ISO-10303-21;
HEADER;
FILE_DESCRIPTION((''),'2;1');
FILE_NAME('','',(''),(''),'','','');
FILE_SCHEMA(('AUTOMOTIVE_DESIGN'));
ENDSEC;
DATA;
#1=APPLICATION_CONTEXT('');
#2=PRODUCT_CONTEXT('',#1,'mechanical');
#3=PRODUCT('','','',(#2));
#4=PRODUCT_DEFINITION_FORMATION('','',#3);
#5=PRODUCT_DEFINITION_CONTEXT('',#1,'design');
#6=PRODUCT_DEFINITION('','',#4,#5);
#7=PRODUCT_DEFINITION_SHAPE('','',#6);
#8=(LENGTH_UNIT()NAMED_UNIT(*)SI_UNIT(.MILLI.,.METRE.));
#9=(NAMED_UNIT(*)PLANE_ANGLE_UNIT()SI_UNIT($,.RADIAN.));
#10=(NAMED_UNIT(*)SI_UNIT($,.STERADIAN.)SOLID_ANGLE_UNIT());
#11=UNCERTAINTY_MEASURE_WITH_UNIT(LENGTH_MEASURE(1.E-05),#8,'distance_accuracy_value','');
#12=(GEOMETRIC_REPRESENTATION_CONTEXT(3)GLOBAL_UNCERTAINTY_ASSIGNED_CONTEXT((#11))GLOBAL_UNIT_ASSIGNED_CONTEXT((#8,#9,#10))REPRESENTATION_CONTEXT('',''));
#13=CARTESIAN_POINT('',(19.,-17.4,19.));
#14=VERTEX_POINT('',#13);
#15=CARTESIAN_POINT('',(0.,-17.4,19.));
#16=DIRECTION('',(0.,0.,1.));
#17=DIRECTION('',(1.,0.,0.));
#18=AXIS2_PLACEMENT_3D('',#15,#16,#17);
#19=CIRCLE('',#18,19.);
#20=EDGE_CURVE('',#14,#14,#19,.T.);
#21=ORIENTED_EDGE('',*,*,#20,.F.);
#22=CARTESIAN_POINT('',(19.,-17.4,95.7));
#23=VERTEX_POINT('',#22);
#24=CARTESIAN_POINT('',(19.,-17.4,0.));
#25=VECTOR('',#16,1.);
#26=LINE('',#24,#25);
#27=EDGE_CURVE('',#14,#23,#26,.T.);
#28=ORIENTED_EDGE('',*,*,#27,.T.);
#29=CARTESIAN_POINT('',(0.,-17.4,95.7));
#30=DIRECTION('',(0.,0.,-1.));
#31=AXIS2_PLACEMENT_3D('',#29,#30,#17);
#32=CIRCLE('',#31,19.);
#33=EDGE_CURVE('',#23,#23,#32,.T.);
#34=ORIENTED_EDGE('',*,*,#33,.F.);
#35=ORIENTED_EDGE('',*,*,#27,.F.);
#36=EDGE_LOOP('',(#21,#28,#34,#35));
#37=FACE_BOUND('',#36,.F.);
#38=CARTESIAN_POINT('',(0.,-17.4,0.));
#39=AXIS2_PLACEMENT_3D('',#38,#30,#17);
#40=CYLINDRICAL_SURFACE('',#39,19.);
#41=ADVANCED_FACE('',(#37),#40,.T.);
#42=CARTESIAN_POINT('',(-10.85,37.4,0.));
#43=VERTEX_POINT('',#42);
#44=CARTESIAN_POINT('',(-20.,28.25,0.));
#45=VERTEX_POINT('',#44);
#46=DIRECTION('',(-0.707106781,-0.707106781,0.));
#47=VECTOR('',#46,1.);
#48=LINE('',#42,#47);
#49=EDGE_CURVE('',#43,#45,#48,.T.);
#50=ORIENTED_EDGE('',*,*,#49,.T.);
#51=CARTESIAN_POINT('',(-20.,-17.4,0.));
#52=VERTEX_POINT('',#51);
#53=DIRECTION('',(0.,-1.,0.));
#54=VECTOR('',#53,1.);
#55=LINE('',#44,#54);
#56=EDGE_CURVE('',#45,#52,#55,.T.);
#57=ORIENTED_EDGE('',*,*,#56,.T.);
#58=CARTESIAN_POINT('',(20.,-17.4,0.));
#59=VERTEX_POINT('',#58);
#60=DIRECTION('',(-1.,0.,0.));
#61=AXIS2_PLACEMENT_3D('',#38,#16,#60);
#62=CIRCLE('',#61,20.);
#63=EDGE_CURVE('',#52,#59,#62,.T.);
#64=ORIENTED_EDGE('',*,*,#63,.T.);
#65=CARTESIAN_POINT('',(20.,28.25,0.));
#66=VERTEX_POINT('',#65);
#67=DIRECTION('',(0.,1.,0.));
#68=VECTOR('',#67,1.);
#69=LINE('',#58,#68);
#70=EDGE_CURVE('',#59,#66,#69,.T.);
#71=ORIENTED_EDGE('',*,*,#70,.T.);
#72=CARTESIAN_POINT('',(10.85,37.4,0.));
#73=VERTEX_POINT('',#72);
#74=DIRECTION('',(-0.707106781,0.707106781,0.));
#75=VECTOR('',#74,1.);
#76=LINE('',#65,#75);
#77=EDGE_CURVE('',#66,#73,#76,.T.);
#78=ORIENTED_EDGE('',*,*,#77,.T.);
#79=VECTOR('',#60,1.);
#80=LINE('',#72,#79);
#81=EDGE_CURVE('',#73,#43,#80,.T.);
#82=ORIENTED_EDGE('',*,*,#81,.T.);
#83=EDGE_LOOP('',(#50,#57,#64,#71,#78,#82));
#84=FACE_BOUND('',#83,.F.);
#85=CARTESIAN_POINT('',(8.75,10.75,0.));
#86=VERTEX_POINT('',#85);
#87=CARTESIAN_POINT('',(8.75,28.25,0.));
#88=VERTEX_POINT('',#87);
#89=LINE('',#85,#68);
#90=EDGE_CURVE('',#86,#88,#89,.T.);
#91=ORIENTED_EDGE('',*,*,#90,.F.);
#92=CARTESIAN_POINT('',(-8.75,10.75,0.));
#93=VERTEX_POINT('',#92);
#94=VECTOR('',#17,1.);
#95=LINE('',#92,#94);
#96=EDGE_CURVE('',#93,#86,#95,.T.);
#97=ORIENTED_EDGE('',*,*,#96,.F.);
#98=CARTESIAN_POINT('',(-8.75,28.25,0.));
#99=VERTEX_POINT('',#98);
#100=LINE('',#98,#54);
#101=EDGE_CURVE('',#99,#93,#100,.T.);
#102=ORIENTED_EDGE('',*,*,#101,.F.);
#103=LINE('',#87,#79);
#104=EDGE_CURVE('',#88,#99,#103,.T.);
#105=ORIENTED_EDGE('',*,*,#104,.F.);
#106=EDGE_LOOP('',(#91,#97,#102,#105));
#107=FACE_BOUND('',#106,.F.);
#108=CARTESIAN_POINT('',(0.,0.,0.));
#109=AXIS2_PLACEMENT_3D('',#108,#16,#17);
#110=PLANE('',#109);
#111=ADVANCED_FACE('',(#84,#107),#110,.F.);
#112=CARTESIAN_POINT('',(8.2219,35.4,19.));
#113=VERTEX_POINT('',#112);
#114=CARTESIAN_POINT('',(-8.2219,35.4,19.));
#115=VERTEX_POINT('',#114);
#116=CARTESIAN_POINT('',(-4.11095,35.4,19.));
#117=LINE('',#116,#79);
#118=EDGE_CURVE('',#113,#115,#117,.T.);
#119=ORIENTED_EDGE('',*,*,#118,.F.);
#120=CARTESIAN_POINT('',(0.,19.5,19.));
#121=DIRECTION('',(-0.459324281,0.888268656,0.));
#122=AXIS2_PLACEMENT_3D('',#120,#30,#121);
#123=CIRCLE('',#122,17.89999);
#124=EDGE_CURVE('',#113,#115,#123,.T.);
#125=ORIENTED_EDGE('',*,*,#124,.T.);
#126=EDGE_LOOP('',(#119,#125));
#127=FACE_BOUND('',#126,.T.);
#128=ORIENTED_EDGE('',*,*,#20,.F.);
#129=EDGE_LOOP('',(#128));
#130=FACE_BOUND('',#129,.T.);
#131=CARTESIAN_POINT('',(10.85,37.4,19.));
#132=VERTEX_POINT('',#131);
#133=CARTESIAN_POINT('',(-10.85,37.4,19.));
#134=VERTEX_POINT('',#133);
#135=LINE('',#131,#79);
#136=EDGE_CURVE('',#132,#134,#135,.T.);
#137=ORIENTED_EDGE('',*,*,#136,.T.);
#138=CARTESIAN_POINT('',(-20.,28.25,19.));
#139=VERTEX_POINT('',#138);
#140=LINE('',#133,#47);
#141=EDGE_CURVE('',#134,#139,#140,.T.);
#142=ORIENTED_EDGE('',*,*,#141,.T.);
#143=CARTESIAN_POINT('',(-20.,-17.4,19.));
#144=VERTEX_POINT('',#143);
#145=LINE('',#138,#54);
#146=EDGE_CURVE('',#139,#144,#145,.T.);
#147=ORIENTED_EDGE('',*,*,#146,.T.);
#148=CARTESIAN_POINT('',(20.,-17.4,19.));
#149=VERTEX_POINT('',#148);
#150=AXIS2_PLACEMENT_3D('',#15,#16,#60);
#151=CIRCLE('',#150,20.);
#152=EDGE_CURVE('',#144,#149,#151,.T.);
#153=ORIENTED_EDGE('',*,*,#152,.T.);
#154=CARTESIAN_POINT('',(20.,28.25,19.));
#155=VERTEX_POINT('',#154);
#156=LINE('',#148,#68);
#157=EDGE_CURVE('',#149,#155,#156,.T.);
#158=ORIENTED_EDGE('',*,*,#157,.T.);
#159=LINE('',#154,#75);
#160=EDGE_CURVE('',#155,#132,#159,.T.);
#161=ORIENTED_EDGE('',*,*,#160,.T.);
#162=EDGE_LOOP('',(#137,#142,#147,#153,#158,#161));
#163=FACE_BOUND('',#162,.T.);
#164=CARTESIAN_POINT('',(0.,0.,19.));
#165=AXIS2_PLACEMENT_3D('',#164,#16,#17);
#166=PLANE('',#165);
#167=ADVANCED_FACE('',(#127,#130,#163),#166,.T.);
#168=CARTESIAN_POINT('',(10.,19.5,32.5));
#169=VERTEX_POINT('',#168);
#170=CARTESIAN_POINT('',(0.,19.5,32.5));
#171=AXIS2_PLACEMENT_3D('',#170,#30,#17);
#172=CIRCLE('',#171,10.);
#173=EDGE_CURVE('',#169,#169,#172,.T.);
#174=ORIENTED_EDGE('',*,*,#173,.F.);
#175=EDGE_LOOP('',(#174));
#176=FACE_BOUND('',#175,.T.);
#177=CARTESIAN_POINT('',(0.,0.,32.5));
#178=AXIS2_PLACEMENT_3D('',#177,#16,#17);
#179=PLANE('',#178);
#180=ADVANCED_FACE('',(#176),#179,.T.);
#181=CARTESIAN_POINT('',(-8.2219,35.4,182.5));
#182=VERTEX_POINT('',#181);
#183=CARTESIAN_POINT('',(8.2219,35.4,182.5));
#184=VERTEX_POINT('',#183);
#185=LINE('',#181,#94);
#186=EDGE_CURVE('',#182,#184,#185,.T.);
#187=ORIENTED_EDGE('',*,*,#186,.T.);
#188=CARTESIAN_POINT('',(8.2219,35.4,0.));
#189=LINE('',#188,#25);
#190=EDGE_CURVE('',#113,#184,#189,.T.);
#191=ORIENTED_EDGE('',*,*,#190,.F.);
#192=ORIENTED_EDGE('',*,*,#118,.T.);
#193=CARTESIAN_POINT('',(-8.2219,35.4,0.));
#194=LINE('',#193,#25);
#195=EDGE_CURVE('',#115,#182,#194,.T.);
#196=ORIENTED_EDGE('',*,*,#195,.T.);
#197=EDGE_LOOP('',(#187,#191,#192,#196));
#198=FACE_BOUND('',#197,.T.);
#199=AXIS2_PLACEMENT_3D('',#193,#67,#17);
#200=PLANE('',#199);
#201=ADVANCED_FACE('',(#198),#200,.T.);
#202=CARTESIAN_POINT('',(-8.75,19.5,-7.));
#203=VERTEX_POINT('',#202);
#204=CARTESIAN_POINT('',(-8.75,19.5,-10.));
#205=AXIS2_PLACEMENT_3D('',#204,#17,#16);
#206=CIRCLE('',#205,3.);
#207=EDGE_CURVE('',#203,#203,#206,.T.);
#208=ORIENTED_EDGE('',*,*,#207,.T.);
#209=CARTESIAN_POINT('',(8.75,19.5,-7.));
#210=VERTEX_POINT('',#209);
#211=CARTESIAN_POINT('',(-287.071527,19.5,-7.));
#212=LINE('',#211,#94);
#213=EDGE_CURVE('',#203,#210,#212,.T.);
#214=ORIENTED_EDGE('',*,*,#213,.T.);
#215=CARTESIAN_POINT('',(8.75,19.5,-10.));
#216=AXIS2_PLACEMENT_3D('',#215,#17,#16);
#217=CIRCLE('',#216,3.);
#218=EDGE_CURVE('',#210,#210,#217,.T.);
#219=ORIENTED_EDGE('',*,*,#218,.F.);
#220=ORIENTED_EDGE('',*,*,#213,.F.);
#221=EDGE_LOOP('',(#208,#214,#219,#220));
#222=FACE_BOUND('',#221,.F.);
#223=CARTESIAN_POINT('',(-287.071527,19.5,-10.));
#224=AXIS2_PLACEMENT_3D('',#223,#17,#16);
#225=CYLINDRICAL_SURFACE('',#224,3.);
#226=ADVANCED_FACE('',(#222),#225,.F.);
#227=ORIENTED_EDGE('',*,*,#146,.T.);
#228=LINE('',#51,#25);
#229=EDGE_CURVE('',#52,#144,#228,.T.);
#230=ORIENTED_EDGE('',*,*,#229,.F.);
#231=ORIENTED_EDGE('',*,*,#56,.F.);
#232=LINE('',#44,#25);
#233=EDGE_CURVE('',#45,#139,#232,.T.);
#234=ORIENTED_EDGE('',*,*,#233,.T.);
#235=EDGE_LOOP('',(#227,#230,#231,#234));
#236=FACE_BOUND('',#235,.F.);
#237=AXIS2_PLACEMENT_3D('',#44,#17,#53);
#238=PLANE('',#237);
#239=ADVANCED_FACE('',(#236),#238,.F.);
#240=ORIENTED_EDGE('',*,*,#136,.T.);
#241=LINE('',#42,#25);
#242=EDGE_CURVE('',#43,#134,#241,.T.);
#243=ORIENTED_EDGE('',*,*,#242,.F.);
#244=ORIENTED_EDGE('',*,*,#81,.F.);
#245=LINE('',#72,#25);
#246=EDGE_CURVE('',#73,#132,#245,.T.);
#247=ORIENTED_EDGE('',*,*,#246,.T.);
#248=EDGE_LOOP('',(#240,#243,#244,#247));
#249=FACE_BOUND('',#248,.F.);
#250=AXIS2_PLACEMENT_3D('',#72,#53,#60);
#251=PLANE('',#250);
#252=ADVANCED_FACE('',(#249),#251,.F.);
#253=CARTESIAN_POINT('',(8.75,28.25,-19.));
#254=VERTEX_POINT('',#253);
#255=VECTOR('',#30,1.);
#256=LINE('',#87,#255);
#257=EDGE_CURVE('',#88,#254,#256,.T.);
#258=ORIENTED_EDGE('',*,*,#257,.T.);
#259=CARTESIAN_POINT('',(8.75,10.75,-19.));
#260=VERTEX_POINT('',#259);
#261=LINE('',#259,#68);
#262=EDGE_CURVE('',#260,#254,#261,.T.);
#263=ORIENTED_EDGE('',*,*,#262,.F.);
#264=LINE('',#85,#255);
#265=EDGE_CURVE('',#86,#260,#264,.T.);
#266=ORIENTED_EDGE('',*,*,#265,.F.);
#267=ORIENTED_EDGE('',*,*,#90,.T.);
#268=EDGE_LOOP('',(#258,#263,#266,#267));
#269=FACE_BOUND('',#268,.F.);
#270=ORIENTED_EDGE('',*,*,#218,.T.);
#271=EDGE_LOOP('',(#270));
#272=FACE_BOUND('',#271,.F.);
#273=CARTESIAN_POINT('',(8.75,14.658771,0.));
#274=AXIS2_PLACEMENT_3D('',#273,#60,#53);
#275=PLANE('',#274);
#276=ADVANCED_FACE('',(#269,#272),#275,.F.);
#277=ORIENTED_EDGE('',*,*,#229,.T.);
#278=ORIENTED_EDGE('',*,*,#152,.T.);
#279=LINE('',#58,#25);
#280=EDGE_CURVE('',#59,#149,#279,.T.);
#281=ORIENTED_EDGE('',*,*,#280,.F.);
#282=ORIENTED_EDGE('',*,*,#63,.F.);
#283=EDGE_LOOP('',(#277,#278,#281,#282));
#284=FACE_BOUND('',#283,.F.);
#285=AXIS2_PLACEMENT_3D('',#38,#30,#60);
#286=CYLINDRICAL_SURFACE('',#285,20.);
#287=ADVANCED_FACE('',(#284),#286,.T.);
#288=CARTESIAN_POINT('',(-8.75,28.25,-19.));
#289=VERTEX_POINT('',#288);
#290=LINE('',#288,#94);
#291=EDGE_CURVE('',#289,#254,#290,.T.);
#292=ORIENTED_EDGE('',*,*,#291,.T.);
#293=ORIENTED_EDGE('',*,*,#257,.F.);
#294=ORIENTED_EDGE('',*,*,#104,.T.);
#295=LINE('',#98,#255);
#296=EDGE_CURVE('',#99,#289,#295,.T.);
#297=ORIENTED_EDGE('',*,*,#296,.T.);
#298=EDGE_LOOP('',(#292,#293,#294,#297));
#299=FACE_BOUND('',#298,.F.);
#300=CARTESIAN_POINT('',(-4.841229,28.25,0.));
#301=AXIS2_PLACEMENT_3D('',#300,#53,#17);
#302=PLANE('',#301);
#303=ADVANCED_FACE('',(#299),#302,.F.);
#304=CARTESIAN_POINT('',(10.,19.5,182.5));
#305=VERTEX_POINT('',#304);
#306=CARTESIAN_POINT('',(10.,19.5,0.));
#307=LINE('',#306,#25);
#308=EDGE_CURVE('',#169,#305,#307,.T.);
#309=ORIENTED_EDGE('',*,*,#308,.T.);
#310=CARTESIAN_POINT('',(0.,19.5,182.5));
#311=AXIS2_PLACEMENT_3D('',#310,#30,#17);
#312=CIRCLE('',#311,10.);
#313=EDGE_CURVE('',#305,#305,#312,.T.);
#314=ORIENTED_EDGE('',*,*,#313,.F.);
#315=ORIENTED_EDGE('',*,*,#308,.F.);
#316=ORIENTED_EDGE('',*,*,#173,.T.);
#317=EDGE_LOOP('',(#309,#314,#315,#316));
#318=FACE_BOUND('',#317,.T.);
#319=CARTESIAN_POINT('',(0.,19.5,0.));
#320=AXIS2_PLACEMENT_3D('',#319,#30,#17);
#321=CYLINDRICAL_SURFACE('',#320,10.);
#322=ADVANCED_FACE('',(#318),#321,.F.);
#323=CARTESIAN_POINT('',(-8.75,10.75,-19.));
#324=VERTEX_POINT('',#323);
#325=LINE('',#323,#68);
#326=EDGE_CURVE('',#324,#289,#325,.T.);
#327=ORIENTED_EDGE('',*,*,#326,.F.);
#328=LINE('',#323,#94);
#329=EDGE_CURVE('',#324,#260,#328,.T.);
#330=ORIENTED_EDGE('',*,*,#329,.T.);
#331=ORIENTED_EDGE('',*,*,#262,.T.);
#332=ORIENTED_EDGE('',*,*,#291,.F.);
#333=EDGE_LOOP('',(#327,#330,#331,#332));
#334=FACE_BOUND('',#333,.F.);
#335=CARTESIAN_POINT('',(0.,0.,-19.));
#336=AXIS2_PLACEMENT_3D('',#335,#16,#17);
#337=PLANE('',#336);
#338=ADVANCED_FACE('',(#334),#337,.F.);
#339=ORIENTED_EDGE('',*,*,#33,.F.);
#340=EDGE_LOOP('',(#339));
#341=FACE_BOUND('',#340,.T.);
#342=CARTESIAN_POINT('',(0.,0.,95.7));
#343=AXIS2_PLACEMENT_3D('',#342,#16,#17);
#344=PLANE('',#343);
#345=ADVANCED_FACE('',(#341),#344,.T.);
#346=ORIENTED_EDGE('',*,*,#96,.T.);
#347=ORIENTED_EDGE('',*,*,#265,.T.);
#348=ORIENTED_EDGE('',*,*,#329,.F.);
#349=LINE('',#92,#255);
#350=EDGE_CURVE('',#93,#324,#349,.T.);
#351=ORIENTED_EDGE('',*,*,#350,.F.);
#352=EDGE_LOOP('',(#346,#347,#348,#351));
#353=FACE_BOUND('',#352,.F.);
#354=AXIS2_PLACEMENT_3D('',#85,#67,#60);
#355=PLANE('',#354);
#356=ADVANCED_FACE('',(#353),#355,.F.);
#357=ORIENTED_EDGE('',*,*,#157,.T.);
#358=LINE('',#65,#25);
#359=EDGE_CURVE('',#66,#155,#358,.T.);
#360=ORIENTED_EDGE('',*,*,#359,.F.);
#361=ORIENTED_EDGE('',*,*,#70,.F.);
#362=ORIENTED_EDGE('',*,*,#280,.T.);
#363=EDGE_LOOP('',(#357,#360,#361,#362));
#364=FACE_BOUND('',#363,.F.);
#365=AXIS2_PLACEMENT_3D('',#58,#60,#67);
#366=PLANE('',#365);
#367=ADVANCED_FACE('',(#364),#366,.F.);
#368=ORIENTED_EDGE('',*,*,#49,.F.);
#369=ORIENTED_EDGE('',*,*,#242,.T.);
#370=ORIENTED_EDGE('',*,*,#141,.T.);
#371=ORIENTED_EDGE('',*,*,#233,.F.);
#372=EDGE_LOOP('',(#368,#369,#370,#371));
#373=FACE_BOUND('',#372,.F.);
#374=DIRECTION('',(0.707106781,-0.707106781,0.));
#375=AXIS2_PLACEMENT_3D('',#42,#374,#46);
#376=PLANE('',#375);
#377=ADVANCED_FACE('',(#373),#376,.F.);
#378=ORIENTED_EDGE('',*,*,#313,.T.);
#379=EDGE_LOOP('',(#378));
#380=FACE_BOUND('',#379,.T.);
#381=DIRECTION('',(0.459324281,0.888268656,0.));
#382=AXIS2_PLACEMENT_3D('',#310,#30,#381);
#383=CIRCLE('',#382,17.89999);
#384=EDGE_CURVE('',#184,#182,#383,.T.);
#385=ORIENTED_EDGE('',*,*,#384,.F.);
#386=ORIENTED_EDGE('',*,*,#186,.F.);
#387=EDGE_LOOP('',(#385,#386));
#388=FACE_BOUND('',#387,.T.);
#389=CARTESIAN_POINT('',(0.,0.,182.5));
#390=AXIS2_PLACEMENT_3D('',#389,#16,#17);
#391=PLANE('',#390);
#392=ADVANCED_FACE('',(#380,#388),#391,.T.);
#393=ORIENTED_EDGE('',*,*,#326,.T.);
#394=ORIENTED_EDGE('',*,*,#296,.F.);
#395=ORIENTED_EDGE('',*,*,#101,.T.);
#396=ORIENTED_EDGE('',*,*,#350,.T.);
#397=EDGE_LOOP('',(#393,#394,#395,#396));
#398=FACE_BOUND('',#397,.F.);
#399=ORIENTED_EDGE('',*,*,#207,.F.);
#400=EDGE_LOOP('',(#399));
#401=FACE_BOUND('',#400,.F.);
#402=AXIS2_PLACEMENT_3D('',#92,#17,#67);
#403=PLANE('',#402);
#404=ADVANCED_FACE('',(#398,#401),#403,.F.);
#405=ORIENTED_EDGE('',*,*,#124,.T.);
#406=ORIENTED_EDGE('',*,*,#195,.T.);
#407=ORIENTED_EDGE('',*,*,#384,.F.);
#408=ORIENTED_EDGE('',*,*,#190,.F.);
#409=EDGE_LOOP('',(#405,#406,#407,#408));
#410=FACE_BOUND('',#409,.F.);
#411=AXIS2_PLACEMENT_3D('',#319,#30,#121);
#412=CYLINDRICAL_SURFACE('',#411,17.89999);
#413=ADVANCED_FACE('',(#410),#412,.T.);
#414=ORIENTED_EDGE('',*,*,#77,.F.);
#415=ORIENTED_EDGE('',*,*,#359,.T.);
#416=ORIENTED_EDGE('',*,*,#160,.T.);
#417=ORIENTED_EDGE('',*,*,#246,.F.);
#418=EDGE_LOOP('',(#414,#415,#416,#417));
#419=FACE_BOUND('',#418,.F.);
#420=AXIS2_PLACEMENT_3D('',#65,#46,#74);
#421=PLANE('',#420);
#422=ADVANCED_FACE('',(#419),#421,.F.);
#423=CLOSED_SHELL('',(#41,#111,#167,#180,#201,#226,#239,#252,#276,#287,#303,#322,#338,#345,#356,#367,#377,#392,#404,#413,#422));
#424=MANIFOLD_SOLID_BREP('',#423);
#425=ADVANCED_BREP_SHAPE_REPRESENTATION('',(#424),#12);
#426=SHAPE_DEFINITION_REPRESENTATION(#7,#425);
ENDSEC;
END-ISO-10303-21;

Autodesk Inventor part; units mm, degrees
ref_plane "YZ Plane" through (0, 0, 0) normal (1, 0, 0) x (0, 1, 0)
ref_plane "XZ Plane" through (0, 0, 0) normal (0, 1, 0) x (-1, 0, 0)
ref_plane "XY Plane" through (0, 0, 0) normal (0, 0, 1) x (1, 0, 0)
sketch "Sketch1" plane through (0, 0, 0) normal (0, 0, 1) x (1, 0, 0)
  line L0 (-20, -37.4) -> (20, -37.4) construction
  line L1 (20, -37.4) -> (20, 37.4) construction
  line L2 (20, 37.4) -> (-20, 37.4) construction
  line L3 (-20, 37.4) -> (-20, -37.4) construction
  line L4 (-20, -37.4) -> (20, 37.4) construction
  line L5 (20, -37.4) -> (-20, 37.4) construction
  line L6 (0, 37.4) -> (0, -37.4) construction
  line L7 (-20, 0) -> (20, 0) construction
  circle A0 centre (0, -17.4) radius 19
  line L8 (8.75, 10.75) -> (-8.75, 10.75)
  line L9 (-8.75, 10.75) -> (-8.75, 28.25)
  line L10 (-8.75, 28.25) -> (8.75, 28.25)
  line L11 (8.75, 28.25) -> (8.75, 10.75)
  line L12 (8.75, 10.75) -> (-8.75, 28.25) construction
  line L13 (-8.75, 10.75) -> (8.75, 28.25) construction
  line L14 (20, 1.6) -> (-20, 1.6) construction
  line L15 (-20, 37.4) -> (-10.85, 37.4) construction
  line L16 (-10.85, 37.4) -> (-10.85, 28.25) construction
  line L17 (-10.85, 28.25) -> (-20, 28.25) construction
  line L18 (-20, 28.25) -> (-20, 37.4) construction
  line L19 (20, 37.4) -> (10.85, 37.4) construction
  line L20 (10.85, 37.4) -> (10.85, 28.25) construction
  line L21 (10.85, 28.25) -> (20, 28.25) construction
  line L22 (20, 28.25) -> (20, 37.4) construction
  line L23 (-10.85, 37.4) -> (-20, 28.25)
  line L24 (-20, -17.4) -> (20, -17.4) construction
  arc A1 (-20, -17.4) -> (20, -17.4) centre (0, -17.4) ccw
  line L25 (-20, 28.25) -> (-20, -17.4)
  line L26 (20, -17.4) -> (20, 28.25)
  line L27 (20, 28.25) -> (10.85, 37.4)
  line L28 (10.85, 37.4) -> (-10.85, 37.4)
  circle A2 centre (0, 19.5) radius 17.9 construction
  circle A3 centre (0, 19.5) radius 10
  line L29 (-8.2219, 35.4) -> (8.2219, 35.4)
  arc A4 (-8.2219, 35.4) -> (8.2219, 35.4) centre (0, 19.5) ccw
  point P0 (0, 0)
  point P1 (0, 1.6)
  point P2 (-10.85, 33.7368)
  point P3 (10.85, 33.7368)
  dimension "d2" = 38
  dimension "d0" = 40
  dimension "d1" = 74.8
  dimension "d3" = 20
  dimension "d4" = 17.5
  dimension "d5" = 17.5
  dimension "d6" = 35.8
  dimension "d7" = 9.15
  dimension "d8" = 9.15
  dimension "d9" = 9.15
  dimension "d10" = 9.15
  dimension "d11" = 9.15
  dimension "d12" = 45.65
  dimension "d21" = 20
  dimension "d22" = 2
extrude "Extrusion1" add sketch "Sketch1" along normal blind 95.7 contours A0
extrude "Extrusion2" add sketch "Sketch1" against normal blind 19 contours L8 A3 L11 | L8 A3 L9 L10 L11 | L8 L9 A3 | A3 L10 L11 | L9 L10 A3
extrude "Extrusion3" add sketch "Sketch1" along normal blind 19 contours A4 L29 | A3 L8 | L11 A3 | A3 L9 | L10 A3 | L28 L27 L26 A1 L25 L23
extrude "Extrusion5" add sketch "Sketch1" along normal blind 182.5 contours A4 L29 | L8 A3 L11 | A3 L8 | L8 A3 L9 L10 L11 | L11 A3 | L8 L9 A3 | A3 L10 L11 | A3 L9 | L10 A3 | L9 L10 A3
extrude "Extrusion6" cut sketch "Sketch1" along normal blind 182.5 contours A3 L8 | L8 A3 L9 L10 L11 | L11 A3 | A3 L9 | L10 A3
extrude "Extrusion7" add sketch "Sketch1" along normal blind 32.5 contours A3 L8 | L8 A3 L9 L10 L11 | L11 A3 | A3 L9 | L10 A3
sketch "Sketch2" plane through (-8.75, 10.75, 0) normal (-1, 0, 0) x (0, 0, 1)
  line L0 (0, 26.65) -> (0, 17.5) construction
  line L1 (0, 0) -> (-19, 0) construction
  line L2 (0, 17.5) -> (-10, 17.5) construction
  line L3 (-10, 17.5) -> (-10, 0) construction
  line L4 (-10, 0) -> (0, 0) construction
  line L5 (0, 0) -> (0, 17.5) construction
  point P0 (0, -10.75)
  point P1 (-10, 8.75)
  dimension "d29" = 10
hole "Hole1" at (-8.75, 19.5, -10) direction (1, 0, 0) diameter 6 end through all both
equation "\"d5\" = d4"
equation "\"d7\" = 0.5 * d6 - 0.5 * d4"
equation "\"d9\" = d8"
equation "\"d10\" = d9"
equation "\"d11\" = d10"
properties part number "actuator_base" material "Aluminum 6061"
